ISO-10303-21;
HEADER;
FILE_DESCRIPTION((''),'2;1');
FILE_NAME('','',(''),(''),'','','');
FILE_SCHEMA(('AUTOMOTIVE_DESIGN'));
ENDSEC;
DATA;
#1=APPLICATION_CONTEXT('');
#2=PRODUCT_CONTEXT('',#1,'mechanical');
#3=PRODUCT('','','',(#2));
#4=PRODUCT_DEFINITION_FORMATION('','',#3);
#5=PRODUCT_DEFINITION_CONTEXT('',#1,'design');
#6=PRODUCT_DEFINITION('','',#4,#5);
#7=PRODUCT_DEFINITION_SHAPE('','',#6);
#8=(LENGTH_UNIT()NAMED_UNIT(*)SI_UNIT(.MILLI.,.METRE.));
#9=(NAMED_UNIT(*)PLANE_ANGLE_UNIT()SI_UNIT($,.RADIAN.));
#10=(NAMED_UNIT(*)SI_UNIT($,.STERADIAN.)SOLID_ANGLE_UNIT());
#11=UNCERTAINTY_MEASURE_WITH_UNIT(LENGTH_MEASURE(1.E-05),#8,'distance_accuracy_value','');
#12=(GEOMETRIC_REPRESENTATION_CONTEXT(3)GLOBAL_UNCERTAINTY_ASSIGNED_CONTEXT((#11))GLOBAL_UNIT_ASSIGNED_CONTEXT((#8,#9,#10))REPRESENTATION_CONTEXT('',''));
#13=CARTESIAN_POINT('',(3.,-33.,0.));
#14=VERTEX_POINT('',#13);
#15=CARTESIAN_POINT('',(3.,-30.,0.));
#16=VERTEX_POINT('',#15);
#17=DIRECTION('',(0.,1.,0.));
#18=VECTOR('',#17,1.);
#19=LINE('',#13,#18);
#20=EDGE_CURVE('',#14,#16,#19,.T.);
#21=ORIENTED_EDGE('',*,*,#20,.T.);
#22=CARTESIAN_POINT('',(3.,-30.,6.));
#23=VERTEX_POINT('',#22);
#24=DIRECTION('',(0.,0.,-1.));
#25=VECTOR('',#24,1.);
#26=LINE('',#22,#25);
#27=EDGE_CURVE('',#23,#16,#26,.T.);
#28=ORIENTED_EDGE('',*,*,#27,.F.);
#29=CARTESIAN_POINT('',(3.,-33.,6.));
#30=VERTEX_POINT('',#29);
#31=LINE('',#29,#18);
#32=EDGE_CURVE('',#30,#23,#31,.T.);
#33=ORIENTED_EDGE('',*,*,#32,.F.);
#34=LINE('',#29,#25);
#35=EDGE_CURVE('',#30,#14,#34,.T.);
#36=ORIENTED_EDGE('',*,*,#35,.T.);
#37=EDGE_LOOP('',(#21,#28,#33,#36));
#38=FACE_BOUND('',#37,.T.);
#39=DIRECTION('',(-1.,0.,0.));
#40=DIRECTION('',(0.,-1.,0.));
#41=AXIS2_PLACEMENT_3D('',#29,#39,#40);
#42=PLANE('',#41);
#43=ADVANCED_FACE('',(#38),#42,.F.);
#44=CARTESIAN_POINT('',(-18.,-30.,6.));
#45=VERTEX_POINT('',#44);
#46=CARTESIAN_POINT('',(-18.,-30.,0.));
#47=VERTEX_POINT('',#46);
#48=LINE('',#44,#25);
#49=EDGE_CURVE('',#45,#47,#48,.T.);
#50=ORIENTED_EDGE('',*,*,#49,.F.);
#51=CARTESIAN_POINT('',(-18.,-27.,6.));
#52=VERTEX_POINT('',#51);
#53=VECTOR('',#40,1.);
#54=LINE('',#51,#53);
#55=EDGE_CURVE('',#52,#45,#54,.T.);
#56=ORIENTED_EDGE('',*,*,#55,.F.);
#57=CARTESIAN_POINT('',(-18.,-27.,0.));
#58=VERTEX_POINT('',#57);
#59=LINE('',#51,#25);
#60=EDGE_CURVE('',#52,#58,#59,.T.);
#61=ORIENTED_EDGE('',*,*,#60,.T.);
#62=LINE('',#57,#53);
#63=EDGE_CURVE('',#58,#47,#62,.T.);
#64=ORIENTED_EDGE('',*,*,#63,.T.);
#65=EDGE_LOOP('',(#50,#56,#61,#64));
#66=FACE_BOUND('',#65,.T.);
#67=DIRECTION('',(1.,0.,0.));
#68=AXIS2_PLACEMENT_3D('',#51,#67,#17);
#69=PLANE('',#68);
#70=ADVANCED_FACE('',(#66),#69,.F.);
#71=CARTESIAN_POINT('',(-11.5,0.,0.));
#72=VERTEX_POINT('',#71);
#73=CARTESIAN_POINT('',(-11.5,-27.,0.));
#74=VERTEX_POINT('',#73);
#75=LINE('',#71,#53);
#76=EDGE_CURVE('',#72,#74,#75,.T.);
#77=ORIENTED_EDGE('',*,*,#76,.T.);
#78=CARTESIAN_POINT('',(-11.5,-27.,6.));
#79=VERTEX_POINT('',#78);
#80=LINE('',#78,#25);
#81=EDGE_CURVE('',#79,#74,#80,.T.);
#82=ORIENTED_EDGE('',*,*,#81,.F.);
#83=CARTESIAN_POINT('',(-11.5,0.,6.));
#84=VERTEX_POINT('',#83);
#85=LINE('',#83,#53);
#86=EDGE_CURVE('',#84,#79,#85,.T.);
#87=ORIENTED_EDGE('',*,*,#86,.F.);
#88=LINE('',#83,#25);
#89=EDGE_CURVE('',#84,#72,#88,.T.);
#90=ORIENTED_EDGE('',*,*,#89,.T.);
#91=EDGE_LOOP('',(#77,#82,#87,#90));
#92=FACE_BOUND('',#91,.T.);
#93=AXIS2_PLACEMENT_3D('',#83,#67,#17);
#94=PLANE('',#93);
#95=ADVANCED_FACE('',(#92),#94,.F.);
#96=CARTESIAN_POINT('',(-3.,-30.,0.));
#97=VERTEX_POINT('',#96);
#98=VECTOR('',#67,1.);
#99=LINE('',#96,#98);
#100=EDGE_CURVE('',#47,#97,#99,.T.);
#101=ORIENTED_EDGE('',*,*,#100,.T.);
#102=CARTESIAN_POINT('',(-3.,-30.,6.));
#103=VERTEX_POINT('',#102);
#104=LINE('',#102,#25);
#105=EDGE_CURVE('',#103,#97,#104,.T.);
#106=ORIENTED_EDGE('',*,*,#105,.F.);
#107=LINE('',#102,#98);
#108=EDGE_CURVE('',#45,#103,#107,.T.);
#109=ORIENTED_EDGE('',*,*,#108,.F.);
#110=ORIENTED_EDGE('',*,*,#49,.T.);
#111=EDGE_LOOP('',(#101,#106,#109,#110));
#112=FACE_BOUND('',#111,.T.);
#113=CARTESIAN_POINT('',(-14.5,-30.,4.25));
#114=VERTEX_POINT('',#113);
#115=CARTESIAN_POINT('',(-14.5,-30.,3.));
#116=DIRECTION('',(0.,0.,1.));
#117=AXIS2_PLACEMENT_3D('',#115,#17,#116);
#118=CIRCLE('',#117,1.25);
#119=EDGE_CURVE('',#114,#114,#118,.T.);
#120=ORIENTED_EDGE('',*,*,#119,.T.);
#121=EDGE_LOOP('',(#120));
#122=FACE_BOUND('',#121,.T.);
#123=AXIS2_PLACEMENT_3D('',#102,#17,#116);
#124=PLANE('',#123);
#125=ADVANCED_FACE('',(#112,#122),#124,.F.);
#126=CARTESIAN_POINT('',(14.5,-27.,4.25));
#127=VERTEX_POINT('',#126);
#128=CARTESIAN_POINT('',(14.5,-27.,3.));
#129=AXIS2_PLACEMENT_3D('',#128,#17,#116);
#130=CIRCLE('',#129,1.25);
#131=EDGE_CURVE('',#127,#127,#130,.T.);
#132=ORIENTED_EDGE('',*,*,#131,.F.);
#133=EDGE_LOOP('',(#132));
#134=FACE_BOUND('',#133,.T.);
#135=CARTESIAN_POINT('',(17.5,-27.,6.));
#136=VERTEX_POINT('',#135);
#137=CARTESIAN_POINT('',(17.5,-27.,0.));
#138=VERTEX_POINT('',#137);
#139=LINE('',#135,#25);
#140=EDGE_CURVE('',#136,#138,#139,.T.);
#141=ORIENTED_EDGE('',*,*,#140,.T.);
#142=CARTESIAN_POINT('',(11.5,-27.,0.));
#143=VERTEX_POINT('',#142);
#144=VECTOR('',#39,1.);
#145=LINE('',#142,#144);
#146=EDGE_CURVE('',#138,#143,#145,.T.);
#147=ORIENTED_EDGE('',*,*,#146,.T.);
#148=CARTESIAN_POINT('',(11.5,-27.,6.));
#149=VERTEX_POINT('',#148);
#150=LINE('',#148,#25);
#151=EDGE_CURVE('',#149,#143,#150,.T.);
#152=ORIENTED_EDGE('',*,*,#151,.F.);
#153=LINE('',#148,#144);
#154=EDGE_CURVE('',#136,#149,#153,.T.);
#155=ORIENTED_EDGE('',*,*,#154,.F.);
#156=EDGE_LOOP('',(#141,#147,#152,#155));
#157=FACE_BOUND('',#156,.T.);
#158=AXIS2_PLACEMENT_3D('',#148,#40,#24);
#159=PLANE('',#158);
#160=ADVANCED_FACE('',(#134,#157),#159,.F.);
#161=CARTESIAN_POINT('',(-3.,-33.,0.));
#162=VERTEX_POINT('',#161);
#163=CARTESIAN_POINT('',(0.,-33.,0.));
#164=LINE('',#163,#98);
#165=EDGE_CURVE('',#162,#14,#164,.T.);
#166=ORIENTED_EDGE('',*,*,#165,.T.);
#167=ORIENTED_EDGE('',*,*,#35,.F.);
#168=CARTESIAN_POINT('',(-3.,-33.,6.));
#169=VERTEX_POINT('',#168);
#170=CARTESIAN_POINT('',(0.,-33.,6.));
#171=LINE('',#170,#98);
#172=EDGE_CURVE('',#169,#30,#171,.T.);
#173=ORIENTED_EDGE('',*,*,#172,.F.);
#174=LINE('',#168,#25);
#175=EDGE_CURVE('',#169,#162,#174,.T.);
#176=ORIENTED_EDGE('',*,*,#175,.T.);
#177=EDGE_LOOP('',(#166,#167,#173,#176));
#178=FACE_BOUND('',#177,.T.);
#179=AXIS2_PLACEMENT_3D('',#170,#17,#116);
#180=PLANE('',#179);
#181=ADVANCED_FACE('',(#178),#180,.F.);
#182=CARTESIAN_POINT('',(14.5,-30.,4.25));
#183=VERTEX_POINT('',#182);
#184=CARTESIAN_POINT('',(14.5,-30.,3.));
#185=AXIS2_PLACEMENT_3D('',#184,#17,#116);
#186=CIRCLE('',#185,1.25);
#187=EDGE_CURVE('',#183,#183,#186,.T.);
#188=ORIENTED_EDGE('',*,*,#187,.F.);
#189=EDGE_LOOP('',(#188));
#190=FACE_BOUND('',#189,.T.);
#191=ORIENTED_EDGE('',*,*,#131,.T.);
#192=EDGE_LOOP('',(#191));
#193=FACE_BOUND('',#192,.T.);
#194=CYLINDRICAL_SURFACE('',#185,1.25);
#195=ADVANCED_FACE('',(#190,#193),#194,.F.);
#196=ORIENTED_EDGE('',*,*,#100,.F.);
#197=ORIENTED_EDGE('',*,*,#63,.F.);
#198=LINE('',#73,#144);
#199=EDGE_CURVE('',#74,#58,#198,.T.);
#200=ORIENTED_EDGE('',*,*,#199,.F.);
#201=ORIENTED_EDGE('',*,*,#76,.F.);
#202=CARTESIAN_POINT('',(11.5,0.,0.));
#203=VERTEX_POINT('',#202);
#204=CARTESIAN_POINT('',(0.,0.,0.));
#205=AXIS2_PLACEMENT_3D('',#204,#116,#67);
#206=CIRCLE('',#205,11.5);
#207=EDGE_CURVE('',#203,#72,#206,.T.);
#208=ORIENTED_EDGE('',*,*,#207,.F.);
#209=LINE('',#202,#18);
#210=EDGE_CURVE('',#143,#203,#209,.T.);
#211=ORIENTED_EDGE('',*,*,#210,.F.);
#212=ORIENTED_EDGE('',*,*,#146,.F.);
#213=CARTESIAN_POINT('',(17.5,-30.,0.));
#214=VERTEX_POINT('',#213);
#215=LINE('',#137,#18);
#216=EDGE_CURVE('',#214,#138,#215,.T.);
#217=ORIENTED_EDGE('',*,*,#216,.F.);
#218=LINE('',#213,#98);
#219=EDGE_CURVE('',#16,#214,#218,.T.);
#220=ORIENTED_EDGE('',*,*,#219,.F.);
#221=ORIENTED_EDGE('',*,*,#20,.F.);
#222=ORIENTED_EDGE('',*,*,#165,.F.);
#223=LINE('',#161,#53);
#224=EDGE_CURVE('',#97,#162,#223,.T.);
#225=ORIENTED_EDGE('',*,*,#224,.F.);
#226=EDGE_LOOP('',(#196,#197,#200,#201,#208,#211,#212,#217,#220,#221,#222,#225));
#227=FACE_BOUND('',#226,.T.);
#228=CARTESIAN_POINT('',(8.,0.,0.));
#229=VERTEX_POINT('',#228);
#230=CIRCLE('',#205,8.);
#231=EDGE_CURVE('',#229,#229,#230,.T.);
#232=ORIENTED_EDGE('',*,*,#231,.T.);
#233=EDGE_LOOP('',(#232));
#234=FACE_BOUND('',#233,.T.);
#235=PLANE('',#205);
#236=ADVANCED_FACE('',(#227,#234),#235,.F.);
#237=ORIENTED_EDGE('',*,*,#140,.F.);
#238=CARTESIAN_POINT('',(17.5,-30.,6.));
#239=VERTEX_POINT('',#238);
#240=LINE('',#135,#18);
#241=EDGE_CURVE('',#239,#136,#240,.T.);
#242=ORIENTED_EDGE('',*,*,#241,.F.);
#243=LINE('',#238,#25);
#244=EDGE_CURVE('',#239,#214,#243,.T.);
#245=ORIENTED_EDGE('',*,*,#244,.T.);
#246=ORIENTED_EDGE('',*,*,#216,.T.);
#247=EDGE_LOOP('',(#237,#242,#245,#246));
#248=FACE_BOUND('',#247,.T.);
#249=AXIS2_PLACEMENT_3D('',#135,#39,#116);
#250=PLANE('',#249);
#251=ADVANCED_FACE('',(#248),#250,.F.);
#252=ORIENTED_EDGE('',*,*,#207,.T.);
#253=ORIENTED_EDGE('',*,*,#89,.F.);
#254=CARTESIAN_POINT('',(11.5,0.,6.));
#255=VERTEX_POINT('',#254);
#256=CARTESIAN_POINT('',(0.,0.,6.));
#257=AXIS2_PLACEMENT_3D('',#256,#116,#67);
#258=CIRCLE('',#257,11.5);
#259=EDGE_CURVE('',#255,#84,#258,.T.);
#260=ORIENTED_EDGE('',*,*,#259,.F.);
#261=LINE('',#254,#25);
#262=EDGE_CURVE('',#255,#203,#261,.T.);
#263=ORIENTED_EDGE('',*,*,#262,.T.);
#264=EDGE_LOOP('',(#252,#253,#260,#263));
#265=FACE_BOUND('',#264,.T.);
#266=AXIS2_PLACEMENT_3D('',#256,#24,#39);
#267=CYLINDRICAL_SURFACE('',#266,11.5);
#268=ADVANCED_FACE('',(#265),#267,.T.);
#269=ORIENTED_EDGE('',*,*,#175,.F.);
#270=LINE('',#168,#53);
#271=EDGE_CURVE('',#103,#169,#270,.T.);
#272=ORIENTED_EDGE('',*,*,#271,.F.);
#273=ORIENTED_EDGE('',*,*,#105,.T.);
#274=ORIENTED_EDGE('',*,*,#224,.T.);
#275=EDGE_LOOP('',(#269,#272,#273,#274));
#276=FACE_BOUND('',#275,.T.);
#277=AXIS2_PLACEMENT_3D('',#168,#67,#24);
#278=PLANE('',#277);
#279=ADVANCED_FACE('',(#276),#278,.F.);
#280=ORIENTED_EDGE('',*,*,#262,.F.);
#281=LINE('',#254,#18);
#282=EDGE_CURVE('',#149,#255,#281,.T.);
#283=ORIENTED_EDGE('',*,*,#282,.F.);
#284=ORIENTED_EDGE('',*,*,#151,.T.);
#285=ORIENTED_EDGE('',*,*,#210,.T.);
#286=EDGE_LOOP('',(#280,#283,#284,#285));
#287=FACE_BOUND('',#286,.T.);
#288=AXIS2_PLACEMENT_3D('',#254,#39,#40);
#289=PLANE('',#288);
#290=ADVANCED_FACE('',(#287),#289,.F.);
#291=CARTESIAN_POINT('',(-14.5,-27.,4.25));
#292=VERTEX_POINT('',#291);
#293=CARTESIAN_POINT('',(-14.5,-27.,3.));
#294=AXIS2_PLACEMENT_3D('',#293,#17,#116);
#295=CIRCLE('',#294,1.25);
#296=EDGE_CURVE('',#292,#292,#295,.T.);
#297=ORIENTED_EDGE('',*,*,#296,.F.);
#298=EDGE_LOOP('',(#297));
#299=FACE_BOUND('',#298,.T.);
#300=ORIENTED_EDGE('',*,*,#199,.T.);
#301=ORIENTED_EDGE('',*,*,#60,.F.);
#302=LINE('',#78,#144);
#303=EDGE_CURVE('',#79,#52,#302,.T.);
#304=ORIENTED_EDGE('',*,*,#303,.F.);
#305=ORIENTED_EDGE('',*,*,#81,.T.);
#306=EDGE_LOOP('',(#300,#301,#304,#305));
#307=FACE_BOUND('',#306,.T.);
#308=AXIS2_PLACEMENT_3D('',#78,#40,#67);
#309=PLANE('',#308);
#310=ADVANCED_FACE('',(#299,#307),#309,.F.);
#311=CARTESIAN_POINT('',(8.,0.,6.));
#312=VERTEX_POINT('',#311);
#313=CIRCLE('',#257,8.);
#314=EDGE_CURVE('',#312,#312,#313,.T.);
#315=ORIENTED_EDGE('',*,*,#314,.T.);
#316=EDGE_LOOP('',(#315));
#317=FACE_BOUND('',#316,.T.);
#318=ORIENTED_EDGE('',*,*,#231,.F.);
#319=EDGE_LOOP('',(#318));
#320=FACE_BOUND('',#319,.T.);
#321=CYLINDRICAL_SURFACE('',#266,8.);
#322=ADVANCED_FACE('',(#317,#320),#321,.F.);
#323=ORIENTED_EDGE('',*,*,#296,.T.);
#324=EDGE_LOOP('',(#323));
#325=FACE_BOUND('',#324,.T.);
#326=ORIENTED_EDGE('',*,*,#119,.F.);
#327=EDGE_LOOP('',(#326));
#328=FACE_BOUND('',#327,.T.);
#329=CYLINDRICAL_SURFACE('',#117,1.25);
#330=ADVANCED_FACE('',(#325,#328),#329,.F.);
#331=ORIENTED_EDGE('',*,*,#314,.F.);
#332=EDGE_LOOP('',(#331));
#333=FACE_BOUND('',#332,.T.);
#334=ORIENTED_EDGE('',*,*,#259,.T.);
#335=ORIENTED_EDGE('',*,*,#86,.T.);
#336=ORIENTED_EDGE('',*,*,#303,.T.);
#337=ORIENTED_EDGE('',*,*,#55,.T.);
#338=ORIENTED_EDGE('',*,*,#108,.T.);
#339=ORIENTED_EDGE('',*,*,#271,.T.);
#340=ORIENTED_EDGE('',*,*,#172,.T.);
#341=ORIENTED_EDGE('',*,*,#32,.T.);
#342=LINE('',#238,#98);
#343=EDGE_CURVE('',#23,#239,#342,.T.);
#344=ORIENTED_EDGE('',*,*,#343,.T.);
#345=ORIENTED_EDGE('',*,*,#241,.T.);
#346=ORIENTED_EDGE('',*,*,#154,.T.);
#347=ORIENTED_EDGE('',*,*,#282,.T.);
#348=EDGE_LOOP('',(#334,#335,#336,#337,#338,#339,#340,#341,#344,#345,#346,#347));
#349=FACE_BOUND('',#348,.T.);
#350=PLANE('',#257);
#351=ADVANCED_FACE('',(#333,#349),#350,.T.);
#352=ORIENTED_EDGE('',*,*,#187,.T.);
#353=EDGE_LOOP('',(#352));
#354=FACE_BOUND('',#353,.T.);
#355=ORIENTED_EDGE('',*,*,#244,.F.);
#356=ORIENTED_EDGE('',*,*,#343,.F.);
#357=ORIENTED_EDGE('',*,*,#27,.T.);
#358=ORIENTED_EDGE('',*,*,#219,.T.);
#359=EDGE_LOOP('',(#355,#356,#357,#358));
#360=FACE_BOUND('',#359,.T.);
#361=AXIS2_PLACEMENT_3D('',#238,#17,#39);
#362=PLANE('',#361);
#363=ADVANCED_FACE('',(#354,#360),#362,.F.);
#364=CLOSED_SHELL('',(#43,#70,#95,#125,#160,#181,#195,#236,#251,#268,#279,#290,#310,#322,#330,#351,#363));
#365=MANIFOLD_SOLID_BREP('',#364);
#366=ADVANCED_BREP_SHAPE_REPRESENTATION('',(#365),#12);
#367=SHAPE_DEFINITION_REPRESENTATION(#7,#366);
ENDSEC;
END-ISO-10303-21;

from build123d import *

# Parameters (mm, degrees)
SKETCH_1_R          = 8
EXTRUDE_1_DEPTH     = 6
SKETCH_2_R          = 1.25
CUT_EXTRUDE_1_DEPTH = 3


with BuildPart() as part:
    # 草图1 → 凸台-拉伸1 (new body)
    with BuildSketch(Plane.XY):
        with BuildLine():
            Line((-3, -30), (-18, -30))
            Line((-18, -30), (-18, -27))
            Line((-18, -27), (-11.5, -27))
            Line((-11.5, -27), (-11.5, 0))
            ThreePointArc((-11.5, 0), (0, 11.5), (11.5, 0))
            Line((11.5, 0), (11.5, -27))
            Line((11.5, -27), (17.5, -27))
            Line((17.5, -27), (17.5, -30))
            Line((17.5, -30), (3, -30))
            Line((3, -30), (3, -33))
            Line((3, -33), (0, -33))
            Line((0, -33), (-3, -33))
            Line((-3, -33), (-3, -30))
        make_face()
        Circle(SKETCH_1_R, mode=Mode.SUBTRACT)
    extrude(amount=EXTRUDE_1_DEPTH)

    # 草图2 → 切除-拉伸1 (cut)
    with BuildSketch(Plane(origin=(0, -27, 0), x_dir=(1, 0, 0), z_dir=(0, 1, 0))):
        with Locations(Location((-14.5, -3, 0), (0, 0, 270))):
            Circle(SKETCH_2_R)
        with Locations(Location((14.5, -3, 0), (0, 0, 270))):
            Circle(SKETCH_2_R)
    extrude(amount=-CUT_EXTRUDE_1_DEPTH, mode=Mode.SUBTRACT)


solid = part.part
